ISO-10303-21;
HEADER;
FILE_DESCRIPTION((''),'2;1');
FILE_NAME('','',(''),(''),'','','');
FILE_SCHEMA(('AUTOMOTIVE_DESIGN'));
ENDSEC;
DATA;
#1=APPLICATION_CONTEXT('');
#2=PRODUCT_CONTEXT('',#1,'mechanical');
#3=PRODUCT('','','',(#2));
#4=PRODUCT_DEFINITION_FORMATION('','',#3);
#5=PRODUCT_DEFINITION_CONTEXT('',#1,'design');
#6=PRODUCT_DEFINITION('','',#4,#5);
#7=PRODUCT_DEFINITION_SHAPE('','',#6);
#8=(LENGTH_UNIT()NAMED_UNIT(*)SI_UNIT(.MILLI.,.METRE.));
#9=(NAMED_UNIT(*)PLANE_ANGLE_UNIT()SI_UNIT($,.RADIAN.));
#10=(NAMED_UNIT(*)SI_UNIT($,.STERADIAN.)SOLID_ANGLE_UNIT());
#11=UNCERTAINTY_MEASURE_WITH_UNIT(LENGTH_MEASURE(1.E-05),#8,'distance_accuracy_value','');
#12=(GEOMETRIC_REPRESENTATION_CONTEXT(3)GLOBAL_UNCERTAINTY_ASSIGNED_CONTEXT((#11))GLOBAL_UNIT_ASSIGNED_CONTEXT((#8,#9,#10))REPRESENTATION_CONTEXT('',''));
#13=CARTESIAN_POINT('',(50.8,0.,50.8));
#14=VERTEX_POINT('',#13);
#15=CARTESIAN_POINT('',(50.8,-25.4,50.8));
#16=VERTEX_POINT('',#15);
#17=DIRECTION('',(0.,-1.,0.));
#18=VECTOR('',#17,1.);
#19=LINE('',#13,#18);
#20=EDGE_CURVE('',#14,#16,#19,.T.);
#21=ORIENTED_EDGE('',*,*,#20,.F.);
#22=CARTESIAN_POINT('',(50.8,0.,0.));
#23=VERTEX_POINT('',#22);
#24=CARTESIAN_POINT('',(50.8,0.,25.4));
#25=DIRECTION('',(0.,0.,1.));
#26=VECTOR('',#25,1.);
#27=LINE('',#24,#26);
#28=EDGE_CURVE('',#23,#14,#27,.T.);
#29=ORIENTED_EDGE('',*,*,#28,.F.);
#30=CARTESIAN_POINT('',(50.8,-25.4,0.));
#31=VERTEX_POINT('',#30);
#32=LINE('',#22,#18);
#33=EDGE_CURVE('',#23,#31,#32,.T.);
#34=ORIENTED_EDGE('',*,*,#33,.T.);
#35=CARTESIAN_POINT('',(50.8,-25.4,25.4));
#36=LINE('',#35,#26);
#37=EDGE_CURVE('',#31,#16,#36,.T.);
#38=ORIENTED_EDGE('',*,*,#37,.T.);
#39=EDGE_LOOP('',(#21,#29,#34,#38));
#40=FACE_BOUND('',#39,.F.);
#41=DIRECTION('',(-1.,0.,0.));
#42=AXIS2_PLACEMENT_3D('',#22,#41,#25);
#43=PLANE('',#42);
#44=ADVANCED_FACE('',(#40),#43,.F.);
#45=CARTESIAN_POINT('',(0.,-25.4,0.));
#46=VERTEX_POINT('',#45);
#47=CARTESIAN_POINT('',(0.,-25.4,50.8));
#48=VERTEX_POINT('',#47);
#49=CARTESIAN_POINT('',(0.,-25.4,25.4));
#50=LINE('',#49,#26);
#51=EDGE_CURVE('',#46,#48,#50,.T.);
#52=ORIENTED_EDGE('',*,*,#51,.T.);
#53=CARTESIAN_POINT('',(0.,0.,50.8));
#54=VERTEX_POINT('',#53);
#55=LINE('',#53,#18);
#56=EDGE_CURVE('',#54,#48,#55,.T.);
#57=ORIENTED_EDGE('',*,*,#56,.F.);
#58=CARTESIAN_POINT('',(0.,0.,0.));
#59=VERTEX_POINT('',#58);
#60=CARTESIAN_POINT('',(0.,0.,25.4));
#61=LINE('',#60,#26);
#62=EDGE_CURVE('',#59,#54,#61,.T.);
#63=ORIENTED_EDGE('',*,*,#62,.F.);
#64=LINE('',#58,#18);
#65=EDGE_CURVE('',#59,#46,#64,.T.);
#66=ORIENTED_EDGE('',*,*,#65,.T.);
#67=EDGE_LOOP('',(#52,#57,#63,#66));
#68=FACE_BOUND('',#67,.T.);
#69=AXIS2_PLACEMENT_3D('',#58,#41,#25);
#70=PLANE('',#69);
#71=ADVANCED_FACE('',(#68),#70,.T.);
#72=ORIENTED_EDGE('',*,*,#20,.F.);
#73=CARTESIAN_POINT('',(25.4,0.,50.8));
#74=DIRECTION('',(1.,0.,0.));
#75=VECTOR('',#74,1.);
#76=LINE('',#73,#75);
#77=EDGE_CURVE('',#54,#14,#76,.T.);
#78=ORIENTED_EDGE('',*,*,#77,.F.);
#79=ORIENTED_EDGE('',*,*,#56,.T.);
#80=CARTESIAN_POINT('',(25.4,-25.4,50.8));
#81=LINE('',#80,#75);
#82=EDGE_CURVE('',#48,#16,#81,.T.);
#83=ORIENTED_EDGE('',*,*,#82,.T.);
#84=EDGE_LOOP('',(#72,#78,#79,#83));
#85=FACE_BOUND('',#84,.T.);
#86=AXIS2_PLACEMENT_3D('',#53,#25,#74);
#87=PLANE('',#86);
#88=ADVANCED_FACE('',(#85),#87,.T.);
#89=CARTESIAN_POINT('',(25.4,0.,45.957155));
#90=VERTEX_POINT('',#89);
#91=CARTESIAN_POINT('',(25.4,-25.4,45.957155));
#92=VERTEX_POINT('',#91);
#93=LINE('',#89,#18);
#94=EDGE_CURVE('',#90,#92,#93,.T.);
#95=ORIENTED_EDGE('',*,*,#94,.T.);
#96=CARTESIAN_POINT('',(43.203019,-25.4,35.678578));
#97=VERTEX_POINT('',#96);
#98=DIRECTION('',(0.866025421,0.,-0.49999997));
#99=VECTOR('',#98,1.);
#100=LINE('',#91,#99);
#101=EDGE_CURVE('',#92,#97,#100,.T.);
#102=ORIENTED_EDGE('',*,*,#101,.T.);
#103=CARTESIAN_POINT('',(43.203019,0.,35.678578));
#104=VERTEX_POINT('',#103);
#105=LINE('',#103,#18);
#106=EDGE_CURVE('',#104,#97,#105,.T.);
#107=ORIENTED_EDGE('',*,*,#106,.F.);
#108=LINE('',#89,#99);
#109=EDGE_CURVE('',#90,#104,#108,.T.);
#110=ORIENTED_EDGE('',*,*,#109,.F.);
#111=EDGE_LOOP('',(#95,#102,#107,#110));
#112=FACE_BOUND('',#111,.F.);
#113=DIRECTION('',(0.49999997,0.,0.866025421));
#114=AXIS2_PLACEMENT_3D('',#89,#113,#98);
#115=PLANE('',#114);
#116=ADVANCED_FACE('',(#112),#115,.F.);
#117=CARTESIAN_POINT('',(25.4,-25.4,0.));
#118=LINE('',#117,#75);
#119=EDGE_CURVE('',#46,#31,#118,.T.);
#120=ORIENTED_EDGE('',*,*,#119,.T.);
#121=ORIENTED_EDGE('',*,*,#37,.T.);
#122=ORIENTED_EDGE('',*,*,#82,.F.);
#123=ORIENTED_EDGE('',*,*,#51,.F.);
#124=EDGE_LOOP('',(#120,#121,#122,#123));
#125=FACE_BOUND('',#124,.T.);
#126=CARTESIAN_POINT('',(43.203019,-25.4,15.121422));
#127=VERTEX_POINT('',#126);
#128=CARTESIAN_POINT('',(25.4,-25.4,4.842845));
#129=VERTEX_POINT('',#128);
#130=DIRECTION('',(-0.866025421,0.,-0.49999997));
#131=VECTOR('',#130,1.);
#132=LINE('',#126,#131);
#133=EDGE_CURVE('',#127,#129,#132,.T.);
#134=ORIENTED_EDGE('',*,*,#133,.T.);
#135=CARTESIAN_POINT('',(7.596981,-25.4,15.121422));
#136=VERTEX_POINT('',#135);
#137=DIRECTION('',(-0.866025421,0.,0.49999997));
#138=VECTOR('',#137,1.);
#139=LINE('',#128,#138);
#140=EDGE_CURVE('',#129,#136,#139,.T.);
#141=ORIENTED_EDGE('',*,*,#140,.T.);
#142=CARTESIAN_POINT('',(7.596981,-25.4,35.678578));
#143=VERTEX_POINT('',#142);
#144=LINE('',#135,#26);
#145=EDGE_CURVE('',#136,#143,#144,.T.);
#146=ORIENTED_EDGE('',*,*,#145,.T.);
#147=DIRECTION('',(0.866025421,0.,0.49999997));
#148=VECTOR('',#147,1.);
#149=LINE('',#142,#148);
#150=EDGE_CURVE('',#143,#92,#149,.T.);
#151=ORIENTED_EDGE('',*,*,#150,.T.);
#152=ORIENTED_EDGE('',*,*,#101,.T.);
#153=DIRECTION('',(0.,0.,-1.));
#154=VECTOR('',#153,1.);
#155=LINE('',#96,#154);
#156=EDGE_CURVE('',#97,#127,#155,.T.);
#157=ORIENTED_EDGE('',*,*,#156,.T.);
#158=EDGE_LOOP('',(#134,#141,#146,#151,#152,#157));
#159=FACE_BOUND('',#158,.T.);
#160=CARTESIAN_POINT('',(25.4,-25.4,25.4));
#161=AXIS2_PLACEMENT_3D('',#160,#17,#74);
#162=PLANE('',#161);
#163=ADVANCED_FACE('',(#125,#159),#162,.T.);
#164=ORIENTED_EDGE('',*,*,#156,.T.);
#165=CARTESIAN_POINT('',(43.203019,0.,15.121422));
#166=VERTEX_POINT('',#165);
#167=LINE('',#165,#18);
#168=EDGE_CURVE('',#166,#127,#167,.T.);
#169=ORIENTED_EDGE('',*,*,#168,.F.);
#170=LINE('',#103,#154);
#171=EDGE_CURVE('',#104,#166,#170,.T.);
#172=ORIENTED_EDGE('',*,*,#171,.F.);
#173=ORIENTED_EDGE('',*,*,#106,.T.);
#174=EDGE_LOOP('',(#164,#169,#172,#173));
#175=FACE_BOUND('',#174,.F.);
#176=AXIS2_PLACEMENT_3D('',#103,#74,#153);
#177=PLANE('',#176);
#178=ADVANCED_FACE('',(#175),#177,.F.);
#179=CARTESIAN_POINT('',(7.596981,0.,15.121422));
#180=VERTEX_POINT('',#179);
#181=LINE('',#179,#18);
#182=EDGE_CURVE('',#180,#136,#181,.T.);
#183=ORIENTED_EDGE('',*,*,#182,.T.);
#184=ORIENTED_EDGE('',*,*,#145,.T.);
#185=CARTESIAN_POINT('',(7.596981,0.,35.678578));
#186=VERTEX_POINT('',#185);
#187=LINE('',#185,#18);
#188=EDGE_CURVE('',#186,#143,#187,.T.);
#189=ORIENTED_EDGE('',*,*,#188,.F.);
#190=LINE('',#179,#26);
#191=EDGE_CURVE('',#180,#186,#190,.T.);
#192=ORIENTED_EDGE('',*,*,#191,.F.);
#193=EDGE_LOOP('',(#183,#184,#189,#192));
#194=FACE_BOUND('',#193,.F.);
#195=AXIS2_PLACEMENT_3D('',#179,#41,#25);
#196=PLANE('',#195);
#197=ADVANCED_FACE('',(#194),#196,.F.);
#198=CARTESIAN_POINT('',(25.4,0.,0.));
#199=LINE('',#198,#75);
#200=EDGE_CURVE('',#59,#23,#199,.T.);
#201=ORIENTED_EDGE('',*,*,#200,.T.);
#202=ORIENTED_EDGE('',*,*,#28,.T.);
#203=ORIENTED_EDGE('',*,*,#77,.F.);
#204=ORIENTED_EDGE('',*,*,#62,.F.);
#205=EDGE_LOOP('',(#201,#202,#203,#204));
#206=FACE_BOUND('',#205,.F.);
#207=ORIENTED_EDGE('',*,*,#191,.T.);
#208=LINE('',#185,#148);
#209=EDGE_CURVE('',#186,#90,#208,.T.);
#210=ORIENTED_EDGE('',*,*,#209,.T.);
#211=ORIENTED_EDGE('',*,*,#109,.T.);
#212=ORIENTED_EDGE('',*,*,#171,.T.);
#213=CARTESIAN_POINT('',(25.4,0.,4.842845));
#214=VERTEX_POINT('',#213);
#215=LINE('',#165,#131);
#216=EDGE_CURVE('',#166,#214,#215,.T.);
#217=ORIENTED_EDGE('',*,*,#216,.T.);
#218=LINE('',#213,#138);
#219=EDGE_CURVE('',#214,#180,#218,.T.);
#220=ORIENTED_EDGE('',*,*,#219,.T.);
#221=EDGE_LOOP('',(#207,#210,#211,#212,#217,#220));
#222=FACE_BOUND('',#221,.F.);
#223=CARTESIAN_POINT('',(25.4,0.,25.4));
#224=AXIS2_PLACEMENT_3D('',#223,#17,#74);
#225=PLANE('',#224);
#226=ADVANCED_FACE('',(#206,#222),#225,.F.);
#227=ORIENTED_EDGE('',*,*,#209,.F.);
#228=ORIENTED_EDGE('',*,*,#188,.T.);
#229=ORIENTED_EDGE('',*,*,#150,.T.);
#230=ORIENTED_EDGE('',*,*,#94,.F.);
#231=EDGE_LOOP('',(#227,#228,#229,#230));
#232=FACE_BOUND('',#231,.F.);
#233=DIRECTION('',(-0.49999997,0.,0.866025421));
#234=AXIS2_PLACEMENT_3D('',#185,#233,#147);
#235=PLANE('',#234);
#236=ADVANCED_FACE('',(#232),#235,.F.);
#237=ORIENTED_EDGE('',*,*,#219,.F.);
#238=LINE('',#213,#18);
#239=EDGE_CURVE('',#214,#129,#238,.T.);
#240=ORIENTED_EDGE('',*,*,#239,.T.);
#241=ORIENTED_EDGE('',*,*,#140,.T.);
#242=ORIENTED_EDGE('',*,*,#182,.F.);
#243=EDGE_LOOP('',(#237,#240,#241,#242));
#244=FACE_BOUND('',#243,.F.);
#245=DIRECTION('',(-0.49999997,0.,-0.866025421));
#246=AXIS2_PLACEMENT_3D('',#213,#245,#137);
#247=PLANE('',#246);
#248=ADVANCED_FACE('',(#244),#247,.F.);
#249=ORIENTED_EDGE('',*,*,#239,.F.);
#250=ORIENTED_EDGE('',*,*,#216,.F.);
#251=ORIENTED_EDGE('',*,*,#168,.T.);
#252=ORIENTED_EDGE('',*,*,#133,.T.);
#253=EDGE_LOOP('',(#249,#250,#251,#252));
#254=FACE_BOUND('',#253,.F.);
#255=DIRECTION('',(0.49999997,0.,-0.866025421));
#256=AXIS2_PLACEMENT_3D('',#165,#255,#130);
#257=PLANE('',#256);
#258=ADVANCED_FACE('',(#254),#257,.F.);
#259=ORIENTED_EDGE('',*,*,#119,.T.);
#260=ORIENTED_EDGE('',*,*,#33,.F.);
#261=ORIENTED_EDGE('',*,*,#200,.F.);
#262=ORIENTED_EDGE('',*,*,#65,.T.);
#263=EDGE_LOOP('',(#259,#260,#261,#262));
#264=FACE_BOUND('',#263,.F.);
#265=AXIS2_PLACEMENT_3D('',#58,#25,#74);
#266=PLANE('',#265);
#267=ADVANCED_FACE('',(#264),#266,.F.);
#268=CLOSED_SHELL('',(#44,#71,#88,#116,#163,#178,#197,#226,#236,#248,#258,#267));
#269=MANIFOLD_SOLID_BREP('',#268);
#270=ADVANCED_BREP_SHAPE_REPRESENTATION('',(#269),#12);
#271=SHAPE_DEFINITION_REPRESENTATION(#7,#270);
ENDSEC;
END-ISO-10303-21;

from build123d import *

# Parameters (mm, degrees)
F0_W     = 50.8
F0_H     = 50.8
F1_DEPTH = 25.4


with BuildPart() as f1:
    # F0 (on Front) → F1 (new body)
    with BuildSketch(Plane.XZ):
        with Locations((25.4, 25.4)):
            Rectangle(F0_W, F0_H)
        Polygon((25.4, 45.957155), (43.203019, 35.678578), (43.203019, 15.121422), (25.4, 4.842845), (7.596981, 15.121422), (7.596981, 35.678578), align=None, mode=Mode.SUBTRACT)
    extrude(amount=F1_DEPTH)


solid = f1.part
